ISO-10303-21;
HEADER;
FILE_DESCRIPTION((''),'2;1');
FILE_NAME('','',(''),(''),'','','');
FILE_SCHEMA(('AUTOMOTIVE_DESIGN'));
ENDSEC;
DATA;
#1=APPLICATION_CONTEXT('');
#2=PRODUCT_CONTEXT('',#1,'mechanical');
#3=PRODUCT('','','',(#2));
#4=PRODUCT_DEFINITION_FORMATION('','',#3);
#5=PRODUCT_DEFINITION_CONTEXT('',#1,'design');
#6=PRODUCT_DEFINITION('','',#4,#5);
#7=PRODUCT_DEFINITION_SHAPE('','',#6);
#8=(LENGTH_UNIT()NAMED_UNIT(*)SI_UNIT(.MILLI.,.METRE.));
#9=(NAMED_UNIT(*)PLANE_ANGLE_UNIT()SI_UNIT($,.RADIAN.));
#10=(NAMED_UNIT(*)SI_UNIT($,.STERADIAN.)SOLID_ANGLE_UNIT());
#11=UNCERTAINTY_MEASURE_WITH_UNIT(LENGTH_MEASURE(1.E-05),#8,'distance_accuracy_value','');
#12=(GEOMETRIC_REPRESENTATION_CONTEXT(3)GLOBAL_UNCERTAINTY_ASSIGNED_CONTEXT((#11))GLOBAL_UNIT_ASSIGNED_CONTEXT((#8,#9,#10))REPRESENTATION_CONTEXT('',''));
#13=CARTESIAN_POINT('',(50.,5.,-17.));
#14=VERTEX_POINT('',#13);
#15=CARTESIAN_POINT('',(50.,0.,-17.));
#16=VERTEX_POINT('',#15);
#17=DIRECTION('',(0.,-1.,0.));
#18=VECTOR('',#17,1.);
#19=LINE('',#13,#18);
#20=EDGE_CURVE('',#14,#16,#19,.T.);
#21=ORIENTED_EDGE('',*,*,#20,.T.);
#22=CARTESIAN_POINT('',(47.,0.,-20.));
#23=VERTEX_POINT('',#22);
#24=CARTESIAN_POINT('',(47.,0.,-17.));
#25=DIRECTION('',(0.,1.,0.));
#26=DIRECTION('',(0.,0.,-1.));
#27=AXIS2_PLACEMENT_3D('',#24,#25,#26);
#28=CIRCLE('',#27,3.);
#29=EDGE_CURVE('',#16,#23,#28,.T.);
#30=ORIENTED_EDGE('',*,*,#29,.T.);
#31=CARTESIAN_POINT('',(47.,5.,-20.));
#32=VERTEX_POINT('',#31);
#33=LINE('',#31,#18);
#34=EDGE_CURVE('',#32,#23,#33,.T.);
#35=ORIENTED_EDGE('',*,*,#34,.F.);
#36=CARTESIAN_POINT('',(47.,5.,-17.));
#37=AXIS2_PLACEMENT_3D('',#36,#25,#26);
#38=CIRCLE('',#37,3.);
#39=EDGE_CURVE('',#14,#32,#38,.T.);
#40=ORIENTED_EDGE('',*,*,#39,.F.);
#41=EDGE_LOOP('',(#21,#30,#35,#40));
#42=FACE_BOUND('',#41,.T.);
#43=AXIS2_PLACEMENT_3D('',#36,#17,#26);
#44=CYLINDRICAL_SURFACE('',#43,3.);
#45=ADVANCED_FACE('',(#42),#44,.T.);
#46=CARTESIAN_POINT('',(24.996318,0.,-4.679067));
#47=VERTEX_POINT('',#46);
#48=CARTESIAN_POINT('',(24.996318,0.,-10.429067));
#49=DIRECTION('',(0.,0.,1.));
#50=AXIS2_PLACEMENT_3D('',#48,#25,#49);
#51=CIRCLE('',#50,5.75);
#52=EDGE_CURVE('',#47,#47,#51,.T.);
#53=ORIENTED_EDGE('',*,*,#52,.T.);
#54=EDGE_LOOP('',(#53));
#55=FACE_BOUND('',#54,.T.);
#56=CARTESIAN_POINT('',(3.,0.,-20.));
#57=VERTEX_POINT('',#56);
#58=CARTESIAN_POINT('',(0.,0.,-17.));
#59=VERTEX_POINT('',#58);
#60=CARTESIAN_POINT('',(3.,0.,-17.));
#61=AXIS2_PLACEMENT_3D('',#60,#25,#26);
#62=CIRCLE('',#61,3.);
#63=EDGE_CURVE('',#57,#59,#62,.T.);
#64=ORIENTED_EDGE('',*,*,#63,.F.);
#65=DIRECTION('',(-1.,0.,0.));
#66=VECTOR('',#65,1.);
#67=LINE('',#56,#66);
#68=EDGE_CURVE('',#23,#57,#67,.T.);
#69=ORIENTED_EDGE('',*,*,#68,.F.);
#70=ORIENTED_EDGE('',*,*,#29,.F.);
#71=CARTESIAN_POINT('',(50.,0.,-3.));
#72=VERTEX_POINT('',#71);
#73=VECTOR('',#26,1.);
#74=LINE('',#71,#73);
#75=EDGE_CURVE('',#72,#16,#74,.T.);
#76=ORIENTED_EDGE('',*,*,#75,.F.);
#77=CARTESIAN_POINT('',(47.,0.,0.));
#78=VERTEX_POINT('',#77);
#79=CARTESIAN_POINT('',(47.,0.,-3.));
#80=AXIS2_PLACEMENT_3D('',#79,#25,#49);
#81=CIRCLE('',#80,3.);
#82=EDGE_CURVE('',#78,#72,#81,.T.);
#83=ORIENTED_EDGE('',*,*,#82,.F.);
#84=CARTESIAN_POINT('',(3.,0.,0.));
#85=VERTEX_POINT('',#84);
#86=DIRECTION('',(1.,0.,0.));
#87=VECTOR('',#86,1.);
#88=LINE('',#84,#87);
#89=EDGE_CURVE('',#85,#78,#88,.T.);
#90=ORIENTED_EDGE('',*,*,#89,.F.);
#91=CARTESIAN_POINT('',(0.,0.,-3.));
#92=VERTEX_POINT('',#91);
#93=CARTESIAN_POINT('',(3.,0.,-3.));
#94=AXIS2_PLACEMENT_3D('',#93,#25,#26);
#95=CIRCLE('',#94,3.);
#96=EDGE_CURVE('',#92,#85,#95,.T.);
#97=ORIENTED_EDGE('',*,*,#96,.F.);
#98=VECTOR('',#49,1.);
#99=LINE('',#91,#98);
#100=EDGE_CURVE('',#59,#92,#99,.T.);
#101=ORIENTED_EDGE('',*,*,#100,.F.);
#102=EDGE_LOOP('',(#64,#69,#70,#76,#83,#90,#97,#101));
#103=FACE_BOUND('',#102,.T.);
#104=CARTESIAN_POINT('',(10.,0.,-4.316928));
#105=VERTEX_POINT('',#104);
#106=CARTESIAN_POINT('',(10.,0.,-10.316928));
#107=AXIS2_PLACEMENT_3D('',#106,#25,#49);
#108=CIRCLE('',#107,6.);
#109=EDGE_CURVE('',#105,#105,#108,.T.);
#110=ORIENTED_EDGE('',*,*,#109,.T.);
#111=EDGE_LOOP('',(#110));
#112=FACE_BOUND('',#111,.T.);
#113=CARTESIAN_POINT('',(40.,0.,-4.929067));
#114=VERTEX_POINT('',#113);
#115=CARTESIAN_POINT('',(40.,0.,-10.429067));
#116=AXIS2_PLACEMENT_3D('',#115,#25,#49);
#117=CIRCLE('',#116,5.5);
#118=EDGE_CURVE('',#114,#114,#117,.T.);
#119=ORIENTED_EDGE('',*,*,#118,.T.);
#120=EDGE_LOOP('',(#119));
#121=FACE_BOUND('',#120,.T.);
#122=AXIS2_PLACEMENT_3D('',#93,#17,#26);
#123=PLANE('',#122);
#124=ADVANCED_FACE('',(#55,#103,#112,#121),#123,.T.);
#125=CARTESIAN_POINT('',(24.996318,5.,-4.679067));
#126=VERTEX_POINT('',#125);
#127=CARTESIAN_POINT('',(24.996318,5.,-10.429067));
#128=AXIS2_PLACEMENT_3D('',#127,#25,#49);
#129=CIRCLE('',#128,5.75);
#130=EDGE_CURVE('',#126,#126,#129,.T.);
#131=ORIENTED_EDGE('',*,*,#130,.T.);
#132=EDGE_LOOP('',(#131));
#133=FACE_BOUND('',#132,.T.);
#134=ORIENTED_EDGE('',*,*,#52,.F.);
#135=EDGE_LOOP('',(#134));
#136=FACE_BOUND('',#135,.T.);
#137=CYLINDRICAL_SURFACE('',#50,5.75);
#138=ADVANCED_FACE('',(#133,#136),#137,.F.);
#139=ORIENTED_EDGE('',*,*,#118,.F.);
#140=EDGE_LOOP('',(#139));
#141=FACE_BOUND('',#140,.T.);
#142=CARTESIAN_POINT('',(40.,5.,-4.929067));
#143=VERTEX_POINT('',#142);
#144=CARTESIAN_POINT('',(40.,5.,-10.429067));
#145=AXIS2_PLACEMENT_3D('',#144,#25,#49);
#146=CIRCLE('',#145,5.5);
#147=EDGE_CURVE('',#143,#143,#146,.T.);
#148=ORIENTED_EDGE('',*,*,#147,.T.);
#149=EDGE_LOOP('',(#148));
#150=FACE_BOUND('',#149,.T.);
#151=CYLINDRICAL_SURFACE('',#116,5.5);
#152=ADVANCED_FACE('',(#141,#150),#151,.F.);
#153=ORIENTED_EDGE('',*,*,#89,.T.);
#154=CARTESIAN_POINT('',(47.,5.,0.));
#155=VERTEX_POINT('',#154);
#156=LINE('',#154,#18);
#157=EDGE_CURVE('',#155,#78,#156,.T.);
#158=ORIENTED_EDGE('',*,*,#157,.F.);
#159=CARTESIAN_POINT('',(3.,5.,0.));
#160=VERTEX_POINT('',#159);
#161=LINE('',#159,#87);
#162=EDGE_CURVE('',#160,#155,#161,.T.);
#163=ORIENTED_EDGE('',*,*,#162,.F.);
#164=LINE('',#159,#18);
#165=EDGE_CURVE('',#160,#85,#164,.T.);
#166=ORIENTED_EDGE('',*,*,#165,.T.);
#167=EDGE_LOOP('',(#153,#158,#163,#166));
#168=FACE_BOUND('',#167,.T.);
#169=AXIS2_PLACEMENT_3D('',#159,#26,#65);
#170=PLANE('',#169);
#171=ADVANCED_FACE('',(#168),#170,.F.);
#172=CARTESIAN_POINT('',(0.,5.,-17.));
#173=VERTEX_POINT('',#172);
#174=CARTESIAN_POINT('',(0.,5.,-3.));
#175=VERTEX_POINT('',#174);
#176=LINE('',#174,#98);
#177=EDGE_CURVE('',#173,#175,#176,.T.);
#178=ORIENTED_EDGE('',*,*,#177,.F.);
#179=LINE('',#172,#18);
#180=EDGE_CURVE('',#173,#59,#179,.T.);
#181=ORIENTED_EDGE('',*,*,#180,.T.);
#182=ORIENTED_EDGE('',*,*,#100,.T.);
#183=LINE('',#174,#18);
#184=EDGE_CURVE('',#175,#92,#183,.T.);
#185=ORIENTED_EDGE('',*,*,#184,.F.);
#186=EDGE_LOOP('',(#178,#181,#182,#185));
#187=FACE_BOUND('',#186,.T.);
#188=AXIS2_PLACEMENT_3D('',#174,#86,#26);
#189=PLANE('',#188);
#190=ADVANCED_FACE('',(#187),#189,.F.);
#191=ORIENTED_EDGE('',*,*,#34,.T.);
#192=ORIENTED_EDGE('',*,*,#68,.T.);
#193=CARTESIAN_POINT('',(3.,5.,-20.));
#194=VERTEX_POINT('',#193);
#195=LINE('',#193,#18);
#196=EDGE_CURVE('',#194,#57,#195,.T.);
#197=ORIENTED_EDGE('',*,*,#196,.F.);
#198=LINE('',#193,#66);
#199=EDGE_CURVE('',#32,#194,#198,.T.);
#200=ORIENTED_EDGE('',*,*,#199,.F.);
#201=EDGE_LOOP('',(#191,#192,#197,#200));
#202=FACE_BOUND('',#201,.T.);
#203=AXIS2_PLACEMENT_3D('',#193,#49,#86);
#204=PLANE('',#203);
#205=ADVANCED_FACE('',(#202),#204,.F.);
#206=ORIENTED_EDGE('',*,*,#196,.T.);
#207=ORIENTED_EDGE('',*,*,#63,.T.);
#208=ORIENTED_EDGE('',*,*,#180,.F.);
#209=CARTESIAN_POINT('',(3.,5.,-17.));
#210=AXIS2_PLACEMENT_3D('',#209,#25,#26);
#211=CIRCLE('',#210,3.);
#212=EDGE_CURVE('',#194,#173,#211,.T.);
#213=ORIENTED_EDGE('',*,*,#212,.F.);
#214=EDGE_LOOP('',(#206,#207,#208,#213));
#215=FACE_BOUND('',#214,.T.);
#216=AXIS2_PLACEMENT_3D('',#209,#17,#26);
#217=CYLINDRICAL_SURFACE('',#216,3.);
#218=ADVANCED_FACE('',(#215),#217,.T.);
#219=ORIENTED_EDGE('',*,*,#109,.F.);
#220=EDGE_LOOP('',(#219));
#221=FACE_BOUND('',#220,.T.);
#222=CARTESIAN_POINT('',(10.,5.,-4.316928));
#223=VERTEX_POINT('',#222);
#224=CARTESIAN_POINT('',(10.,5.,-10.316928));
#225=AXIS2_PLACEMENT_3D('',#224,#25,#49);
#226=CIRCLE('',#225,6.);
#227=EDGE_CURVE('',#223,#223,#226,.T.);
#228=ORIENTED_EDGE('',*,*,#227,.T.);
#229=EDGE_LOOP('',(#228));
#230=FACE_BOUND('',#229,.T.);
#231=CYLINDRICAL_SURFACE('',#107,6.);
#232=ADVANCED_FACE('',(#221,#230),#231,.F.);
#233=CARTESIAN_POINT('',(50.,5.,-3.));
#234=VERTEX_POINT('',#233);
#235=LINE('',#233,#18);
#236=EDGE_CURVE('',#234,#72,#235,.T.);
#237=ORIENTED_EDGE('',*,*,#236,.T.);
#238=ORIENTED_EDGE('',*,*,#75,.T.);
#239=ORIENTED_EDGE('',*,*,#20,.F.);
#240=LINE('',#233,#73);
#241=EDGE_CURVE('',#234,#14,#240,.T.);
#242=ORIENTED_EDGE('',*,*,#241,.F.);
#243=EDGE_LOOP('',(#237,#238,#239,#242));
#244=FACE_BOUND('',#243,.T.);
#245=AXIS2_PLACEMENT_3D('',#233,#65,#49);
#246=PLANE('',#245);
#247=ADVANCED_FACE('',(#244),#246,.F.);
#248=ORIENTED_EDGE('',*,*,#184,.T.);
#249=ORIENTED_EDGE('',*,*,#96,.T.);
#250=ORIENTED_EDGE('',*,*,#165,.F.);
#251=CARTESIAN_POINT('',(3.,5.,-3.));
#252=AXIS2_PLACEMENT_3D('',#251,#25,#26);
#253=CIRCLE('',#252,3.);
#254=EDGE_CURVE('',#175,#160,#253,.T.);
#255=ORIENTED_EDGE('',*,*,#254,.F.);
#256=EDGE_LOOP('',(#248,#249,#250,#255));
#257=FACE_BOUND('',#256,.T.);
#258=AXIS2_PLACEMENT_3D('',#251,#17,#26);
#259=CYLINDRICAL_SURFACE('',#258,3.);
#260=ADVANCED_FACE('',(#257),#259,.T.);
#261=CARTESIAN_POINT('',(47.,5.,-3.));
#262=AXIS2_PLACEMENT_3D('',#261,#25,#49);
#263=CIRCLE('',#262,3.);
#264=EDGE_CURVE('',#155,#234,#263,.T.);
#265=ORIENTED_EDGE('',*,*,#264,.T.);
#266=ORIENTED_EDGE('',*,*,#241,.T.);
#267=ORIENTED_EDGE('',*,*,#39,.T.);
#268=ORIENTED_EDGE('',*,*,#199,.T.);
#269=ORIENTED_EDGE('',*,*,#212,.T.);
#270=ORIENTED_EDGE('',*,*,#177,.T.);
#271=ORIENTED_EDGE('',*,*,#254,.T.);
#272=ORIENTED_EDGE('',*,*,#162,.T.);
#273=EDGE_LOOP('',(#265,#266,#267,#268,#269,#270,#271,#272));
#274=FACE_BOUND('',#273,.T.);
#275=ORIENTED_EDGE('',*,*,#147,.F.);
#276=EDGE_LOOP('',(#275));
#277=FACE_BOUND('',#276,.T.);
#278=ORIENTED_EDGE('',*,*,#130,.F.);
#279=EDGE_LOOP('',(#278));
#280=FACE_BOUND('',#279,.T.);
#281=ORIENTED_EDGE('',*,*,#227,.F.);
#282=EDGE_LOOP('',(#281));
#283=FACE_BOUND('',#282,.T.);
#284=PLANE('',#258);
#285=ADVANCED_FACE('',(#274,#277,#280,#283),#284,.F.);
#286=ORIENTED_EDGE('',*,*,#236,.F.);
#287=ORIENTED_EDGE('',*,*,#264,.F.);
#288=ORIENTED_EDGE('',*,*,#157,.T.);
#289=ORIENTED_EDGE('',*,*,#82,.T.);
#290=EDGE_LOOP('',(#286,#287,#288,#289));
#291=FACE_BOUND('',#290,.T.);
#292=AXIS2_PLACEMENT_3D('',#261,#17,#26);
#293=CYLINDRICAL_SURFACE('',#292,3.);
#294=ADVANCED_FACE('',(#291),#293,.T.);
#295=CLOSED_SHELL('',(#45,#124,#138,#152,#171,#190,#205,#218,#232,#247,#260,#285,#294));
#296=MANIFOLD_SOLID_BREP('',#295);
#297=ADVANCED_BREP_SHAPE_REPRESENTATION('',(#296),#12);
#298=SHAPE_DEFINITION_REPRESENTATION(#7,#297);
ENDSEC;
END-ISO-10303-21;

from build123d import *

# Parameters (mm, degrees)
BOSS_EXTRUDE1_DEPTH = 5
SKETCH3_R           = 6
SKETCH3_R_2         = 5.75
SKETCH3_R_3         = 5.5
CUT_EXTRUDE3_DEPTH  = 5


with BuildPart() as part:
    # Sketch1 → Boss-Extrude1 (new body)
    with BuildSketch(Plane(origin=(0, 0, 0), x_dir=(1, 0, 0), z_dir=(0, 1, 0))):
        with BuildLine():
            Line((3, 0), (47, 0))
            ThreePointArc((47, 0), (49.121320344, 0.878679656), (50, 3))
            Line((50, 3), (50, 17))
            ThreePointArc((50, 17), (49.121320344, 19.121320344), (47, 20))
            Line((47, 20), (3, 20))
            ThreePointArc((3, 20), (0.878679656, 19.121320344), (0, 17))
            Line((0, 17), (0, 3))
            ThreePointArc((0, 3), (0.878679656, 0.878679656), (3, 0))
        make_face()
    extrude(amount=BOSS_EXTRUDE1_DEPTH)

    # Sketch3 → Cut-Extrude3 (cut)
    with BuildSketch(Plane(origin=(0, 5, 0), x_dir=(1, 0, 0), z_dir=(0, 1, 0))):
        with Locations(Location((10, 10.316927666, 0), (0, 0, 270))):
            Circle(SKETCH3_R)
        with Locations(Location((24.996317756, 10.429067173, 0), (0, 0, 270))):
            Circle(SKETCH3_R_2)
        with Locations(Location((40, 10.429067173, 0), (0, 0, 270))):
            Circle(SKETCH3_R_3)
    extrude(amount=-CUT_EXTRUDE3_DEPTH, mode=Mode.SUBTRACT)


solid = part.part
